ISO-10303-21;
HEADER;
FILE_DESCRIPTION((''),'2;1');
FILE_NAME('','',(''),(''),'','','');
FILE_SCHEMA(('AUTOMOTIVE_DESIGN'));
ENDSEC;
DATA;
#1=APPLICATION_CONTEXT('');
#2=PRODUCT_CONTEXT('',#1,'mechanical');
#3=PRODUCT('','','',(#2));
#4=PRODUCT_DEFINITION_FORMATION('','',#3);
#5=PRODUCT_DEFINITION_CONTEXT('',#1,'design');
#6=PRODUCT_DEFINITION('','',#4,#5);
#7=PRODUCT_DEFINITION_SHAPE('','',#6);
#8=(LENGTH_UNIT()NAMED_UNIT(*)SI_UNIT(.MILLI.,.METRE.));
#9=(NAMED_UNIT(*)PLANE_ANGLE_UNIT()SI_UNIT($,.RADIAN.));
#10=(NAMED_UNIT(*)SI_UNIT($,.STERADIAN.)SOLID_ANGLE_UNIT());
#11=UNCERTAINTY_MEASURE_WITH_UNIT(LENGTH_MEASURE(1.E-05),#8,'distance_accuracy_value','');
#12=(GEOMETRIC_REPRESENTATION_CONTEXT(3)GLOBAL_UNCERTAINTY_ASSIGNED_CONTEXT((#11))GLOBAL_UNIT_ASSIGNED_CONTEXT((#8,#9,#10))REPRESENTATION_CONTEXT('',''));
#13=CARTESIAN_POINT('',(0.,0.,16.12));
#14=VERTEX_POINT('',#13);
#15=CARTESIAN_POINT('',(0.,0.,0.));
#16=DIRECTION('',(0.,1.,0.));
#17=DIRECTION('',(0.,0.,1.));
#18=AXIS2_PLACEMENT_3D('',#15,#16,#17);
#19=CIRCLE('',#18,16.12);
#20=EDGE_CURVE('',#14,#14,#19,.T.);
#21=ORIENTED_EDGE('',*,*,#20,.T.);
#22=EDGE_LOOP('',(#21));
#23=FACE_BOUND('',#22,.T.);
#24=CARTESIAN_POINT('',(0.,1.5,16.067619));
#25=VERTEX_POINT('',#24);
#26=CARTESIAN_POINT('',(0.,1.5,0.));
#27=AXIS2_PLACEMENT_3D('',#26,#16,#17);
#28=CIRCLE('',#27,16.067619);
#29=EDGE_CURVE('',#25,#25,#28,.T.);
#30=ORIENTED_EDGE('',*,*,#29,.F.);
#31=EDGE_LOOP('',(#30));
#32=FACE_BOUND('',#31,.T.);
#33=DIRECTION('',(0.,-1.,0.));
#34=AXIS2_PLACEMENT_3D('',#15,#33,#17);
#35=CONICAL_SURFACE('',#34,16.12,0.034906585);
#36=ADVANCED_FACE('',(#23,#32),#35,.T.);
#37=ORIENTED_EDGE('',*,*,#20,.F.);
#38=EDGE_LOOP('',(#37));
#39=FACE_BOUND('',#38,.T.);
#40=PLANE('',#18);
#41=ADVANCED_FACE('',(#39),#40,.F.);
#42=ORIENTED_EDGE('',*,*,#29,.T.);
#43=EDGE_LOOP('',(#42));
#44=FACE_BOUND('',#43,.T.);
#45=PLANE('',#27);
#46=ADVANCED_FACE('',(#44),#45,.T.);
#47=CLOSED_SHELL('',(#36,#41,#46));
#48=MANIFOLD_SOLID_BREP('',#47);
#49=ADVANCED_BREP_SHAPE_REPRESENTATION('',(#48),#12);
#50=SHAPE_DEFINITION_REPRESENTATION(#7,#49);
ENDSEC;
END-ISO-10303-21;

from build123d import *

# Parameters (mm, degrees)
SKETCH1_R           = 16.12
BOSS_EXTRUDE1_DEPTH = 1.5
BOSS_EXTRUDE1_TAPER = 2


with BuildPart() as part:
    # Sketch1 → Boss-Extrude1 (new body)
    with BuildSketch(Plane(origin=(0, 0, 0), x_dir=(1, 0, 0), z_dir=(0, 1, 0))):
        Circle(SKETCH1_R)
    extrude(amount=BOSS_EXTRUDE1_DEPTH, taper=BOSS_EXTRUDE1_TAPER)


solid = part.part
